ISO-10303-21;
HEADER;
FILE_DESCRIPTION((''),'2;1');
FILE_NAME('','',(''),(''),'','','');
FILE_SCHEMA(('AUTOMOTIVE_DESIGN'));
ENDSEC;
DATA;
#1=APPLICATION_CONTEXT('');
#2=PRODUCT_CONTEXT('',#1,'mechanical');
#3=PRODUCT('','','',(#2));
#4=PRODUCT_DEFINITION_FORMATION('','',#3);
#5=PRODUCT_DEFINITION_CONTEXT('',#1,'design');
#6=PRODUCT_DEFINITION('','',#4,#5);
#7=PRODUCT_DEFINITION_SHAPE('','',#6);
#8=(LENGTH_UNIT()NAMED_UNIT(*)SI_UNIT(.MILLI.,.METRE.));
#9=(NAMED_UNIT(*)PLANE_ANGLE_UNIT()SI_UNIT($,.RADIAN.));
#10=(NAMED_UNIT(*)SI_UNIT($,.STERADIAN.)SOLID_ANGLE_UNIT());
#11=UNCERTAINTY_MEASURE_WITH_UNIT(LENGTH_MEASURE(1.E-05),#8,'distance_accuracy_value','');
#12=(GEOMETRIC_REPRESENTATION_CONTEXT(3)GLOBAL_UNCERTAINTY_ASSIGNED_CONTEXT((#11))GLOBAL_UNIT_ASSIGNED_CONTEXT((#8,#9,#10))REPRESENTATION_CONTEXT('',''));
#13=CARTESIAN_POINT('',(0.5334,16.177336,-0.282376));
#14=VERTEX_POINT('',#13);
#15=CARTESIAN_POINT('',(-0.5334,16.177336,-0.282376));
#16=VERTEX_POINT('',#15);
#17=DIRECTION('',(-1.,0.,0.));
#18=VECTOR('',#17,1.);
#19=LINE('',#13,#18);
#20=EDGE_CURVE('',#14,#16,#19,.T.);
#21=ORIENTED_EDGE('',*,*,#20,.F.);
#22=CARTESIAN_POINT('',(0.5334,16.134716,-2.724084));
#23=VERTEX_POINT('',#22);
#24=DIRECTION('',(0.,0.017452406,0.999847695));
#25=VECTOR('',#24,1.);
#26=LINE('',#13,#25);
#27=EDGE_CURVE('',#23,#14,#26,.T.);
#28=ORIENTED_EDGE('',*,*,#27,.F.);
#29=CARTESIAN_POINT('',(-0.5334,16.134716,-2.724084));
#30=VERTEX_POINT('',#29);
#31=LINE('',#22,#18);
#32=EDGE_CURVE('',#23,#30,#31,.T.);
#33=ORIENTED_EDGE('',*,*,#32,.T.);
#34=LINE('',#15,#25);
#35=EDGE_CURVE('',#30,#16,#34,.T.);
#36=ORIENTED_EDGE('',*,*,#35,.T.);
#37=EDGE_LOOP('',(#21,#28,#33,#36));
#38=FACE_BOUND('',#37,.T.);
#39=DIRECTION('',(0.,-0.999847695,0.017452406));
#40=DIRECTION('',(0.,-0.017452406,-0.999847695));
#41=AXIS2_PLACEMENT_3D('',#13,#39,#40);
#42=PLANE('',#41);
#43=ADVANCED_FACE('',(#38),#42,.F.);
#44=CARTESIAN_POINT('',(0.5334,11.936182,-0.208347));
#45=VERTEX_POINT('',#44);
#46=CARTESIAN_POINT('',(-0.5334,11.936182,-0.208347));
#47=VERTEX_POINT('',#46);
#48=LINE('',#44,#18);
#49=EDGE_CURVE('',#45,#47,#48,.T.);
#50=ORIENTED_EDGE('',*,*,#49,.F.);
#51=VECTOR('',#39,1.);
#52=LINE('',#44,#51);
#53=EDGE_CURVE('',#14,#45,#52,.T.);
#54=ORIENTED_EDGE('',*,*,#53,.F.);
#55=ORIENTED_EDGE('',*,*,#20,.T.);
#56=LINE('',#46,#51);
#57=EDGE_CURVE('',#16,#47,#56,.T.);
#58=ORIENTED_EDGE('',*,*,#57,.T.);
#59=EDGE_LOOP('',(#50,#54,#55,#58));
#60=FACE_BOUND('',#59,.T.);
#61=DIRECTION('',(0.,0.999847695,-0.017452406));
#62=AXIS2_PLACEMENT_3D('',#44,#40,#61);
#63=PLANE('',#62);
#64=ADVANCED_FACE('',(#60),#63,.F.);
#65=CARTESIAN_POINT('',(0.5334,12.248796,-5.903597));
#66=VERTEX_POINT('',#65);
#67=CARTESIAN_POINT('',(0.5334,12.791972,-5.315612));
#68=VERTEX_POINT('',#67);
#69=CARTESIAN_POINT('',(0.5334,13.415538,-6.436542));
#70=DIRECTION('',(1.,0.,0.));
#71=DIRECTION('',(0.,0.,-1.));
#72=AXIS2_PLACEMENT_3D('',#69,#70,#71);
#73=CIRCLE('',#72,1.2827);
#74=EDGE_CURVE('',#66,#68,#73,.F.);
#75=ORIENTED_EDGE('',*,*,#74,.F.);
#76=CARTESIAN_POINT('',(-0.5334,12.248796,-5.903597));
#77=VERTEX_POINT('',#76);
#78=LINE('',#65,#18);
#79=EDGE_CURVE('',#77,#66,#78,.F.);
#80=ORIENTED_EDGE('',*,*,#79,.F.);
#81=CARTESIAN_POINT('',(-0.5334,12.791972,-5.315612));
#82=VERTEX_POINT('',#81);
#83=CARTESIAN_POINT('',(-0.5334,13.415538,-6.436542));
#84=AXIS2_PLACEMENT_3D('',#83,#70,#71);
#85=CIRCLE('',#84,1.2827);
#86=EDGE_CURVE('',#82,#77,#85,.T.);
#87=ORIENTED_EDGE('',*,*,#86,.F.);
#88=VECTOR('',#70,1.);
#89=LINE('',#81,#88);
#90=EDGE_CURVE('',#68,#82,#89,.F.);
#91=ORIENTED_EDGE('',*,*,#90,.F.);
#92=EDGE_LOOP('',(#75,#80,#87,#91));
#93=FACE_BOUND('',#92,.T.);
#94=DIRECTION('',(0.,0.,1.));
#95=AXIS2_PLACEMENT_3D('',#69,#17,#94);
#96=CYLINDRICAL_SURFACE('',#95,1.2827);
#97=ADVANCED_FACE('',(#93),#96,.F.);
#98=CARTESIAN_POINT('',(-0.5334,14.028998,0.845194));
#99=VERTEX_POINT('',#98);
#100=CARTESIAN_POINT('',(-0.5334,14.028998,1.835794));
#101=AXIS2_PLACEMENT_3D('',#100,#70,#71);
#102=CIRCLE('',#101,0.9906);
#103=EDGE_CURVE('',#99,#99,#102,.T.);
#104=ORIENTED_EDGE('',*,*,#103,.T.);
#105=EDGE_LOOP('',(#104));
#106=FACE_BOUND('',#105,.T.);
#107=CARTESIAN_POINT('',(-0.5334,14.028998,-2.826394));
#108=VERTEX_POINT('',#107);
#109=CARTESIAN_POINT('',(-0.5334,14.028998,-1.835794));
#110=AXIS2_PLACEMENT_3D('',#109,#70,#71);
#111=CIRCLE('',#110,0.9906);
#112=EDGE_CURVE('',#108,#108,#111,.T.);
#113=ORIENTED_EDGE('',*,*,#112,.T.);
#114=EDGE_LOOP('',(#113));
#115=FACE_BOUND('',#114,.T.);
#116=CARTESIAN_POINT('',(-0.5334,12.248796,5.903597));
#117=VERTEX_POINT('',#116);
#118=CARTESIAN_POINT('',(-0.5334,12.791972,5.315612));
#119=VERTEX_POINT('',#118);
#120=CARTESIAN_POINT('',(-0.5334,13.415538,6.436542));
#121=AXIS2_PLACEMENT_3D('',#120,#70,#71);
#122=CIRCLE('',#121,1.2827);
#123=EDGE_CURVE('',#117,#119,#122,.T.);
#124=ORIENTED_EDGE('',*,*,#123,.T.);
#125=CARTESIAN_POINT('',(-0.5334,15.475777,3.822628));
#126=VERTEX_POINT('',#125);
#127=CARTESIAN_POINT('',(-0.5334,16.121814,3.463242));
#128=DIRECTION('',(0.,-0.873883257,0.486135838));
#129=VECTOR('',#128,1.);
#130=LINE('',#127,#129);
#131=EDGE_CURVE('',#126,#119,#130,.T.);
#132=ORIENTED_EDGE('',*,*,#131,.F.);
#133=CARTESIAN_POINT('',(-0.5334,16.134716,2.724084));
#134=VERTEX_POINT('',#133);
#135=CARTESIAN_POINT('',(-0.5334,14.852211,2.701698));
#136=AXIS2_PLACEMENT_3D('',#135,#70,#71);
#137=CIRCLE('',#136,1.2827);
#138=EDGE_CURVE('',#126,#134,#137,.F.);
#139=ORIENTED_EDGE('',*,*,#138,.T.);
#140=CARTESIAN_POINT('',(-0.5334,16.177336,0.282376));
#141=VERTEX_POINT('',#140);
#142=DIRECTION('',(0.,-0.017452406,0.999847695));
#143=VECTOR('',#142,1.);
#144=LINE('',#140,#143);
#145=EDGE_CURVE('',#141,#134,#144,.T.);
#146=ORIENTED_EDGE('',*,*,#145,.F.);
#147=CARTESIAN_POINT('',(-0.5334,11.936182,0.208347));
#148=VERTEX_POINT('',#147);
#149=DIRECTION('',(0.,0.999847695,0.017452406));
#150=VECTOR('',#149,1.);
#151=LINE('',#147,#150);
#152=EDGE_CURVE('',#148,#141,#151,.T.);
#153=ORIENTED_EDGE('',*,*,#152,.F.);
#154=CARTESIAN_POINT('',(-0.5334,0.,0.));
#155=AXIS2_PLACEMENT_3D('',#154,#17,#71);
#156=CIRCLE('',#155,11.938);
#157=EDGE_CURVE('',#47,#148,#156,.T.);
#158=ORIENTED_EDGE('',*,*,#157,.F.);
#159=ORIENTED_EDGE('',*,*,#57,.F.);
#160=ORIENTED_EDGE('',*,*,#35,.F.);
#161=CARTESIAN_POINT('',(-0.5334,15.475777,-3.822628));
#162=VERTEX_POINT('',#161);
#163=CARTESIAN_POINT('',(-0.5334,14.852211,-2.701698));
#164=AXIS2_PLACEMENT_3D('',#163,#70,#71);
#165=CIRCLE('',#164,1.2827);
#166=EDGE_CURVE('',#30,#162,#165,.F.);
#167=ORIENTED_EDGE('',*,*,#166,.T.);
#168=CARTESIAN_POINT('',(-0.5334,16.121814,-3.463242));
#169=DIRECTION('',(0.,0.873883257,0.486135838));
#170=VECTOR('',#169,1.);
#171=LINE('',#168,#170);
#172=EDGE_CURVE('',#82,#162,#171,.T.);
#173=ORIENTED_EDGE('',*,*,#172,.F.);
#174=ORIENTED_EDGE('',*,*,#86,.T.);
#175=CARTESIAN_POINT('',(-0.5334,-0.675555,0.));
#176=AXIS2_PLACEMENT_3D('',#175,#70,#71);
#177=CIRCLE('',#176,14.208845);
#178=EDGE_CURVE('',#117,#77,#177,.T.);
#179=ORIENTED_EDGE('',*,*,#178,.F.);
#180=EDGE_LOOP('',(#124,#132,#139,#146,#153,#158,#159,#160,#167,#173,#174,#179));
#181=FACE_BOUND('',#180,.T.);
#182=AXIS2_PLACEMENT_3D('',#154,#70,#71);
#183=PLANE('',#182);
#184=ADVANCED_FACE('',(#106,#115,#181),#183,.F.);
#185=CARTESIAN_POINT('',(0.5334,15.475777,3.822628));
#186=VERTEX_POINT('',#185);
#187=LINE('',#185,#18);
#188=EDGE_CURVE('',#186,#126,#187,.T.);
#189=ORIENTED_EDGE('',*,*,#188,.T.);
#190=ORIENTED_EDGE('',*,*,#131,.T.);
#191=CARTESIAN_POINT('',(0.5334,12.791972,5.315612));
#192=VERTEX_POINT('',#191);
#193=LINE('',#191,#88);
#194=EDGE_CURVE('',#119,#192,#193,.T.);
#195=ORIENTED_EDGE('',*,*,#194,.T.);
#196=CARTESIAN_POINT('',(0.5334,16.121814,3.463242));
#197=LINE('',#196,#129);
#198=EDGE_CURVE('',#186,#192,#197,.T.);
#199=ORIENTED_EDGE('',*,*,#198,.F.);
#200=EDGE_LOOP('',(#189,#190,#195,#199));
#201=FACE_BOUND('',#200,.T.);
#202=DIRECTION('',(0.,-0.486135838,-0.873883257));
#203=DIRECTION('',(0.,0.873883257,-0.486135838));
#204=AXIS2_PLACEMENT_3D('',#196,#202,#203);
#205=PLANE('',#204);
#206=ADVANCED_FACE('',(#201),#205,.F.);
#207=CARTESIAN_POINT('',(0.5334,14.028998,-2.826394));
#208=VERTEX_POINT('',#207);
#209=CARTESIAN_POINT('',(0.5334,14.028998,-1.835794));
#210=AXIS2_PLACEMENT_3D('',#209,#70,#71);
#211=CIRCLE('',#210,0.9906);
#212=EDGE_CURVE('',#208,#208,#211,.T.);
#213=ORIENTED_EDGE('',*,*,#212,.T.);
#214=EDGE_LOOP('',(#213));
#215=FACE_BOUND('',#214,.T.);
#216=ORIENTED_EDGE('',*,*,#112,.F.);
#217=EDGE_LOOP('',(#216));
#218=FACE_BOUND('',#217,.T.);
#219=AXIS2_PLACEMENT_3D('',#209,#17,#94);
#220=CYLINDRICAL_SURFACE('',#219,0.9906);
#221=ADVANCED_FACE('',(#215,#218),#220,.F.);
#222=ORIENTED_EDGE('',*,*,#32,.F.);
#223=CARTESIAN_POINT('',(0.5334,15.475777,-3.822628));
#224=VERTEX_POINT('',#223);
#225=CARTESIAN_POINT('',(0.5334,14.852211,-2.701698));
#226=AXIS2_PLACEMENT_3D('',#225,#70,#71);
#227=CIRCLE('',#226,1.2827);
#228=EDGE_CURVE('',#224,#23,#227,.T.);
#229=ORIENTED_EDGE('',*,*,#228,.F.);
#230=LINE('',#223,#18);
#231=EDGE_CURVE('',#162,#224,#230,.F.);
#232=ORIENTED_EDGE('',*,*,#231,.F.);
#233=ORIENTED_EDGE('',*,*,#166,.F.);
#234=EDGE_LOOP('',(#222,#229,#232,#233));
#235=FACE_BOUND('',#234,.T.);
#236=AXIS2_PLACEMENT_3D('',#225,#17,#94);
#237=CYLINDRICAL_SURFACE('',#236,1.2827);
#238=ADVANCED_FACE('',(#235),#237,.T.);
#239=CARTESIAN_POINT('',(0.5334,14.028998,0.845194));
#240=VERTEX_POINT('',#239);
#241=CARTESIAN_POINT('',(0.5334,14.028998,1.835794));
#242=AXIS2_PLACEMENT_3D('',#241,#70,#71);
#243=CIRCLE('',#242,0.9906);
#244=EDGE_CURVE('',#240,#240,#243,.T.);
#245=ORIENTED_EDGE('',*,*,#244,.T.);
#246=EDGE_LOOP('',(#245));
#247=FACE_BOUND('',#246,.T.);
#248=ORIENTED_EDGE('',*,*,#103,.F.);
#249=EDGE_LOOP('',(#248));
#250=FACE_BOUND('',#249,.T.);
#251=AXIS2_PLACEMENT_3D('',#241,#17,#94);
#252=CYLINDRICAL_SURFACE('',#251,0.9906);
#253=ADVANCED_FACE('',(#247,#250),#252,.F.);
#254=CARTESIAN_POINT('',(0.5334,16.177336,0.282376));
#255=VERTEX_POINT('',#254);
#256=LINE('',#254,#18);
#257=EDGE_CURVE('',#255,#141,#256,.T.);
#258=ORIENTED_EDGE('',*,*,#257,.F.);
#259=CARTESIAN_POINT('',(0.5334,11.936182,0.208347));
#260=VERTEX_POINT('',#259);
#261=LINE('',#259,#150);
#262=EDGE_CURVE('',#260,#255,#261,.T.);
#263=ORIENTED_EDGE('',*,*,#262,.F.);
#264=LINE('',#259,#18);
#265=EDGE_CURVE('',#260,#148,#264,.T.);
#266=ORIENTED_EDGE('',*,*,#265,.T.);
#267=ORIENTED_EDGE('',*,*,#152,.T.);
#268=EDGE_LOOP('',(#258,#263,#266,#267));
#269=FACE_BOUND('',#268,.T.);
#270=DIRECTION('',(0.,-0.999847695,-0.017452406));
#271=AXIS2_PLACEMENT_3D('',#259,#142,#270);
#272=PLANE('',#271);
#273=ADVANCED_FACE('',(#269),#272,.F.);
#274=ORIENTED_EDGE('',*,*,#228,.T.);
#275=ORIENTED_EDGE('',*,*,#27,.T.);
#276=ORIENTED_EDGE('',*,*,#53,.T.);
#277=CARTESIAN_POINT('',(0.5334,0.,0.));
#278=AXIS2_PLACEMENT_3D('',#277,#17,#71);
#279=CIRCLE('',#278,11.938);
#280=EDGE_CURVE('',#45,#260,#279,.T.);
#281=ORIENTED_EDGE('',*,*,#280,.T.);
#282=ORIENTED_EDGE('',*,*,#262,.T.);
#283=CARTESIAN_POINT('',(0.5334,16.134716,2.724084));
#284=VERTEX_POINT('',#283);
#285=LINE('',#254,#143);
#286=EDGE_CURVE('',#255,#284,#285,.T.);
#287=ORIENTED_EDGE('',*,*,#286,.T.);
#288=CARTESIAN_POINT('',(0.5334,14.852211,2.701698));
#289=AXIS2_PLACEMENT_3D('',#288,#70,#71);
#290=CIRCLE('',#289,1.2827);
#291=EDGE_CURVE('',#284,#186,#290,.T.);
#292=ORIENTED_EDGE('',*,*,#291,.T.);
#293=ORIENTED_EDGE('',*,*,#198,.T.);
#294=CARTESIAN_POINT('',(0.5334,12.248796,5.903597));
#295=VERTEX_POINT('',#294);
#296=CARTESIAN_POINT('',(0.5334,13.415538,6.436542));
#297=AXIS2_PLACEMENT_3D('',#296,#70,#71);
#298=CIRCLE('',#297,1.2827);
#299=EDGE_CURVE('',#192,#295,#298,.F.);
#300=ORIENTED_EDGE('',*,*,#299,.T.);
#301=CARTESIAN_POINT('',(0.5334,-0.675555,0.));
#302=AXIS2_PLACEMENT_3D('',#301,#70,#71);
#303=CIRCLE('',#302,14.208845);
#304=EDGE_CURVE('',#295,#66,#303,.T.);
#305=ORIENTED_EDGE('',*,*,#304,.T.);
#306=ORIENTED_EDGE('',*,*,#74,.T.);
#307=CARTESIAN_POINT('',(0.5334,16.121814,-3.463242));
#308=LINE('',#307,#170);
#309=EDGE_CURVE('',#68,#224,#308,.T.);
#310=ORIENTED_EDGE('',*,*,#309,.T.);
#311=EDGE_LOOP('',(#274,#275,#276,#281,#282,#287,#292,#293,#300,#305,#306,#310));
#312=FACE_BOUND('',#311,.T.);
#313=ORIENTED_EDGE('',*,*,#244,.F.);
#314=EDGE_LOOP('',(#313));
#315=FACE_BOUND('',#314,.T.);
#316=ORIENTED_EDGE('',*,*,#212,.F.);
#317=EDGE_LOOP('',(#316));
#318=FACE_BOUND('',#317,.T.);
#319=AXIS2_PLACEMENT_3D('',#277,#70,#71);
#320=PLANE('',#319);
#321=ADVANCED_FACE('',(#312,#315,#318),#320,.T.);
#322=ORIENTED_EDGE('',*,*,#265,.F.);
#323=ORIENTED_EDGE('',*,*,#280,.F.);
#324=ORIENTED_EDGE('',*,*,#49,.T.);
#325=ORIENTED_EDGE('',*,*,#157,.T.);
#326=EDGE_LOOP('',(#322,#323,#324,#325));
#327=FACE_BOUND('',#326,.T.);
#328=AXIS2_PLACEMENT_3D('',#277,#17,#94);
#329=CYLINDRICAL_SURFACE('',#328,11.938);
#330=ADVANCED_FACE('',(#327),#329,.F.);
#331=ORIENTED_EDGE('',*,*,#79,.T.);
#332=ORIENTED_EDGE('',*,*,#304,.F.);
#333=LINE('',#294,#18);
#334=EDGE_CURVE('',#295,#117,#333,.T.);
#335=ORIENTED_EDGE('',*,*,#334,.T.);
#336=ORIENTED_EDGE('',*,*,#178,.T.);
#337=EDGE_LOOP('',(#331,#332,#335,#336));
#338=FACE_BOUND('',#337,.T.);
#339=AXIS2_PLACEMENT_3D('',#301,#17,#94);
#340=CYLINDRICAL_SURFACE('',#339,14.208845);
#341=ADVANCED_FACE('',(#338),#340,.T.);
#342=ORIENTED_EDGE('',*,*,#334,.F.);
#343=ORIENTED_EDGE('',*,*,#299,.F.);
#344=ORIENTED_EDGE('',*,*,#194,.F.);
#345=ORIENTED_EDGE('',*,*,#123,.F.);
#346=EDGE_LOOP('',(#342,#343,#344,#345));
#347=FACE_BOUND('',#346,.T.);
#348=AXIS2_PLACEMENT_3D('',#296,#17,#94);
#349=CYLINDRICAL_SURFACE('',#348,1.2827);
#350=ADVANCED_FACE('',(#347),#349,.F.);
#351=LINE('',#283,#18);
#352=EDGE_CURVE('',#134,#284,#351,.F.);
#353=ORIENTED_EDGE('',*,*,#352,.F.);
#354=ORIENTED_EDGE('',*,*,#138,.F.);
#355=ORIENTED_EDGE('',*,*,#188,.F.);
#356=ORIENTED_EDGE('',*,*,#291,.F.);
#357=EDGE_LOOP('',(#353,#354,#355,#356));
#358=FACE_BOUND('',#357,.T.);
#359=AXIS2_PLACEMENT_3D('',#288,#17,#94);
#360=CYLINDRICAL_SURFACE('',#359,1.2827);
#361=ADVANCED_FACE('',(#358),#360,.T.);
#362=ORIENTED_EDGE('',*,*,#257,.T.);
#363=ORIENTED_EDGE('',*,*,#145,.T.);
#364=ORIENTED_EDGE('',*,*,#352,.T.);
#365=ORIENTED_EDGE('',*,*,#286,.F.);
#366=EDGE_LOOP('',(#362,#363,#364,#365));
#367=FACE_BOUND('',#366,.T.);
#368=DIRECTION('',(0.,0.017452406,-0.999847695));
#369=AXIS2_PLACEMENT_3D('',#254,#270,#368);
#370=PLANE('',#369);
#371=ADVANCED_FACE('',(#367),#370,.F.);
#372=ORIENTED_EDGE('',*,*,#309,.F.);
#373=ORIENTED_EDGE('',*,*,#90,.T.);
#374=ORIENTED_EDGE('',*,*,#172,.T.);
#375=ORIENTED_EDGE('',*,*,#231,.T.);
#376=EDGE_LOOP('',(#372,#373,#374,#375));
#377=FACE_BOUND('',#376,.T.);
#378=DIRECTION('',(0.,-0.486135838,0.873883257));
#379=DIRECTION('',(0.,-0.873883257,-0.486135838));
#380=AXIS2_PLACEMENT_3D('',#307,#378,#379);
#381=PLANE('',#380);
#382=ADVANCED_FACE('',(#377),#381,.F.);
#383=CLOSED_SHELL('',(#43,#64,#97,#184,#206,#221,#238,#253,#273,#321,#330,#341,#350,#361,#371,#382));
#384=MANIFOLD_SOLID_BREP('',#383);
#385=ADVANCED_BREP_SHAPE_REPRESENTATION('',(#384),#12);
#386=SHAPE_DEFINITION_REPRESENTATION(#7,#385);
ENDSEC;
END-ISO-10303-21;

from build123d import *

# Parameters (mm, degrees)
SKETCH1_R      = 0.9906
EXTRUDE1_DEPTH = 0.5334
FILLET1_R      = 1.2827


with BuildPart() as part:
    # Sketch1 → Extrude1 (new body, symmetric)
    with BuildSketch(Plane(origin=(0, 0, 0), x_dir=(0, 0, -1), z_dir=(1, 0, 0))):
        with BuildLine():
            Line((-0.208346828, 11.936181785), (-0.282376446, 16.177335738))
            Line((-0.282376446, 16.177335738), (-3.463241911, 16.121813525))
            Line((-3.463241911, 16.121813525), (-5.525332907, 12.414975524))
            ThreePointArc((-5.525332907, 12.414975524), (0, -14.8844), (5.525332907, 12.414975524))
            Line((5.525332907, 12.414975524), (3.463241911, 16.121813525))
            Line((3.463241911, 16.121813525), (0.282376446, 16.177335738))
            Line((0.282376446, 16.177335738), (0.208346828, 11.936181785))
            ThreePointArc((0.208346828, 11.936181785), (0, -11.938), (-0.208346828, 11.936181785))
        make_face()
        with Locations((-1.835794369, 14.028997655)):
            Circle(SKETCH1_R, mode=Mode.SUBTRACT)
        with Locations((1.835794369, 14.028997655)):
            Circle(SKETCH1_R, mode=Mode.SUBTRACT)
    extrude(amount=EXTRUDE1_DEPTH, both=True)

    # Fillet1
    fillet1_edges = [part.edges().sort_by_distance(p)[0] for p in [
        (0, 16.121813525, -3.463241911),
        (0, 12.414975524, -5.525332907),
        (0, 12.414975524, 5.525332907),
        (0, 16.121813525, 3.463241911),
    ]]
    fillet(fillet1_edges, radius=FILLET1_R)


solid = part.part
